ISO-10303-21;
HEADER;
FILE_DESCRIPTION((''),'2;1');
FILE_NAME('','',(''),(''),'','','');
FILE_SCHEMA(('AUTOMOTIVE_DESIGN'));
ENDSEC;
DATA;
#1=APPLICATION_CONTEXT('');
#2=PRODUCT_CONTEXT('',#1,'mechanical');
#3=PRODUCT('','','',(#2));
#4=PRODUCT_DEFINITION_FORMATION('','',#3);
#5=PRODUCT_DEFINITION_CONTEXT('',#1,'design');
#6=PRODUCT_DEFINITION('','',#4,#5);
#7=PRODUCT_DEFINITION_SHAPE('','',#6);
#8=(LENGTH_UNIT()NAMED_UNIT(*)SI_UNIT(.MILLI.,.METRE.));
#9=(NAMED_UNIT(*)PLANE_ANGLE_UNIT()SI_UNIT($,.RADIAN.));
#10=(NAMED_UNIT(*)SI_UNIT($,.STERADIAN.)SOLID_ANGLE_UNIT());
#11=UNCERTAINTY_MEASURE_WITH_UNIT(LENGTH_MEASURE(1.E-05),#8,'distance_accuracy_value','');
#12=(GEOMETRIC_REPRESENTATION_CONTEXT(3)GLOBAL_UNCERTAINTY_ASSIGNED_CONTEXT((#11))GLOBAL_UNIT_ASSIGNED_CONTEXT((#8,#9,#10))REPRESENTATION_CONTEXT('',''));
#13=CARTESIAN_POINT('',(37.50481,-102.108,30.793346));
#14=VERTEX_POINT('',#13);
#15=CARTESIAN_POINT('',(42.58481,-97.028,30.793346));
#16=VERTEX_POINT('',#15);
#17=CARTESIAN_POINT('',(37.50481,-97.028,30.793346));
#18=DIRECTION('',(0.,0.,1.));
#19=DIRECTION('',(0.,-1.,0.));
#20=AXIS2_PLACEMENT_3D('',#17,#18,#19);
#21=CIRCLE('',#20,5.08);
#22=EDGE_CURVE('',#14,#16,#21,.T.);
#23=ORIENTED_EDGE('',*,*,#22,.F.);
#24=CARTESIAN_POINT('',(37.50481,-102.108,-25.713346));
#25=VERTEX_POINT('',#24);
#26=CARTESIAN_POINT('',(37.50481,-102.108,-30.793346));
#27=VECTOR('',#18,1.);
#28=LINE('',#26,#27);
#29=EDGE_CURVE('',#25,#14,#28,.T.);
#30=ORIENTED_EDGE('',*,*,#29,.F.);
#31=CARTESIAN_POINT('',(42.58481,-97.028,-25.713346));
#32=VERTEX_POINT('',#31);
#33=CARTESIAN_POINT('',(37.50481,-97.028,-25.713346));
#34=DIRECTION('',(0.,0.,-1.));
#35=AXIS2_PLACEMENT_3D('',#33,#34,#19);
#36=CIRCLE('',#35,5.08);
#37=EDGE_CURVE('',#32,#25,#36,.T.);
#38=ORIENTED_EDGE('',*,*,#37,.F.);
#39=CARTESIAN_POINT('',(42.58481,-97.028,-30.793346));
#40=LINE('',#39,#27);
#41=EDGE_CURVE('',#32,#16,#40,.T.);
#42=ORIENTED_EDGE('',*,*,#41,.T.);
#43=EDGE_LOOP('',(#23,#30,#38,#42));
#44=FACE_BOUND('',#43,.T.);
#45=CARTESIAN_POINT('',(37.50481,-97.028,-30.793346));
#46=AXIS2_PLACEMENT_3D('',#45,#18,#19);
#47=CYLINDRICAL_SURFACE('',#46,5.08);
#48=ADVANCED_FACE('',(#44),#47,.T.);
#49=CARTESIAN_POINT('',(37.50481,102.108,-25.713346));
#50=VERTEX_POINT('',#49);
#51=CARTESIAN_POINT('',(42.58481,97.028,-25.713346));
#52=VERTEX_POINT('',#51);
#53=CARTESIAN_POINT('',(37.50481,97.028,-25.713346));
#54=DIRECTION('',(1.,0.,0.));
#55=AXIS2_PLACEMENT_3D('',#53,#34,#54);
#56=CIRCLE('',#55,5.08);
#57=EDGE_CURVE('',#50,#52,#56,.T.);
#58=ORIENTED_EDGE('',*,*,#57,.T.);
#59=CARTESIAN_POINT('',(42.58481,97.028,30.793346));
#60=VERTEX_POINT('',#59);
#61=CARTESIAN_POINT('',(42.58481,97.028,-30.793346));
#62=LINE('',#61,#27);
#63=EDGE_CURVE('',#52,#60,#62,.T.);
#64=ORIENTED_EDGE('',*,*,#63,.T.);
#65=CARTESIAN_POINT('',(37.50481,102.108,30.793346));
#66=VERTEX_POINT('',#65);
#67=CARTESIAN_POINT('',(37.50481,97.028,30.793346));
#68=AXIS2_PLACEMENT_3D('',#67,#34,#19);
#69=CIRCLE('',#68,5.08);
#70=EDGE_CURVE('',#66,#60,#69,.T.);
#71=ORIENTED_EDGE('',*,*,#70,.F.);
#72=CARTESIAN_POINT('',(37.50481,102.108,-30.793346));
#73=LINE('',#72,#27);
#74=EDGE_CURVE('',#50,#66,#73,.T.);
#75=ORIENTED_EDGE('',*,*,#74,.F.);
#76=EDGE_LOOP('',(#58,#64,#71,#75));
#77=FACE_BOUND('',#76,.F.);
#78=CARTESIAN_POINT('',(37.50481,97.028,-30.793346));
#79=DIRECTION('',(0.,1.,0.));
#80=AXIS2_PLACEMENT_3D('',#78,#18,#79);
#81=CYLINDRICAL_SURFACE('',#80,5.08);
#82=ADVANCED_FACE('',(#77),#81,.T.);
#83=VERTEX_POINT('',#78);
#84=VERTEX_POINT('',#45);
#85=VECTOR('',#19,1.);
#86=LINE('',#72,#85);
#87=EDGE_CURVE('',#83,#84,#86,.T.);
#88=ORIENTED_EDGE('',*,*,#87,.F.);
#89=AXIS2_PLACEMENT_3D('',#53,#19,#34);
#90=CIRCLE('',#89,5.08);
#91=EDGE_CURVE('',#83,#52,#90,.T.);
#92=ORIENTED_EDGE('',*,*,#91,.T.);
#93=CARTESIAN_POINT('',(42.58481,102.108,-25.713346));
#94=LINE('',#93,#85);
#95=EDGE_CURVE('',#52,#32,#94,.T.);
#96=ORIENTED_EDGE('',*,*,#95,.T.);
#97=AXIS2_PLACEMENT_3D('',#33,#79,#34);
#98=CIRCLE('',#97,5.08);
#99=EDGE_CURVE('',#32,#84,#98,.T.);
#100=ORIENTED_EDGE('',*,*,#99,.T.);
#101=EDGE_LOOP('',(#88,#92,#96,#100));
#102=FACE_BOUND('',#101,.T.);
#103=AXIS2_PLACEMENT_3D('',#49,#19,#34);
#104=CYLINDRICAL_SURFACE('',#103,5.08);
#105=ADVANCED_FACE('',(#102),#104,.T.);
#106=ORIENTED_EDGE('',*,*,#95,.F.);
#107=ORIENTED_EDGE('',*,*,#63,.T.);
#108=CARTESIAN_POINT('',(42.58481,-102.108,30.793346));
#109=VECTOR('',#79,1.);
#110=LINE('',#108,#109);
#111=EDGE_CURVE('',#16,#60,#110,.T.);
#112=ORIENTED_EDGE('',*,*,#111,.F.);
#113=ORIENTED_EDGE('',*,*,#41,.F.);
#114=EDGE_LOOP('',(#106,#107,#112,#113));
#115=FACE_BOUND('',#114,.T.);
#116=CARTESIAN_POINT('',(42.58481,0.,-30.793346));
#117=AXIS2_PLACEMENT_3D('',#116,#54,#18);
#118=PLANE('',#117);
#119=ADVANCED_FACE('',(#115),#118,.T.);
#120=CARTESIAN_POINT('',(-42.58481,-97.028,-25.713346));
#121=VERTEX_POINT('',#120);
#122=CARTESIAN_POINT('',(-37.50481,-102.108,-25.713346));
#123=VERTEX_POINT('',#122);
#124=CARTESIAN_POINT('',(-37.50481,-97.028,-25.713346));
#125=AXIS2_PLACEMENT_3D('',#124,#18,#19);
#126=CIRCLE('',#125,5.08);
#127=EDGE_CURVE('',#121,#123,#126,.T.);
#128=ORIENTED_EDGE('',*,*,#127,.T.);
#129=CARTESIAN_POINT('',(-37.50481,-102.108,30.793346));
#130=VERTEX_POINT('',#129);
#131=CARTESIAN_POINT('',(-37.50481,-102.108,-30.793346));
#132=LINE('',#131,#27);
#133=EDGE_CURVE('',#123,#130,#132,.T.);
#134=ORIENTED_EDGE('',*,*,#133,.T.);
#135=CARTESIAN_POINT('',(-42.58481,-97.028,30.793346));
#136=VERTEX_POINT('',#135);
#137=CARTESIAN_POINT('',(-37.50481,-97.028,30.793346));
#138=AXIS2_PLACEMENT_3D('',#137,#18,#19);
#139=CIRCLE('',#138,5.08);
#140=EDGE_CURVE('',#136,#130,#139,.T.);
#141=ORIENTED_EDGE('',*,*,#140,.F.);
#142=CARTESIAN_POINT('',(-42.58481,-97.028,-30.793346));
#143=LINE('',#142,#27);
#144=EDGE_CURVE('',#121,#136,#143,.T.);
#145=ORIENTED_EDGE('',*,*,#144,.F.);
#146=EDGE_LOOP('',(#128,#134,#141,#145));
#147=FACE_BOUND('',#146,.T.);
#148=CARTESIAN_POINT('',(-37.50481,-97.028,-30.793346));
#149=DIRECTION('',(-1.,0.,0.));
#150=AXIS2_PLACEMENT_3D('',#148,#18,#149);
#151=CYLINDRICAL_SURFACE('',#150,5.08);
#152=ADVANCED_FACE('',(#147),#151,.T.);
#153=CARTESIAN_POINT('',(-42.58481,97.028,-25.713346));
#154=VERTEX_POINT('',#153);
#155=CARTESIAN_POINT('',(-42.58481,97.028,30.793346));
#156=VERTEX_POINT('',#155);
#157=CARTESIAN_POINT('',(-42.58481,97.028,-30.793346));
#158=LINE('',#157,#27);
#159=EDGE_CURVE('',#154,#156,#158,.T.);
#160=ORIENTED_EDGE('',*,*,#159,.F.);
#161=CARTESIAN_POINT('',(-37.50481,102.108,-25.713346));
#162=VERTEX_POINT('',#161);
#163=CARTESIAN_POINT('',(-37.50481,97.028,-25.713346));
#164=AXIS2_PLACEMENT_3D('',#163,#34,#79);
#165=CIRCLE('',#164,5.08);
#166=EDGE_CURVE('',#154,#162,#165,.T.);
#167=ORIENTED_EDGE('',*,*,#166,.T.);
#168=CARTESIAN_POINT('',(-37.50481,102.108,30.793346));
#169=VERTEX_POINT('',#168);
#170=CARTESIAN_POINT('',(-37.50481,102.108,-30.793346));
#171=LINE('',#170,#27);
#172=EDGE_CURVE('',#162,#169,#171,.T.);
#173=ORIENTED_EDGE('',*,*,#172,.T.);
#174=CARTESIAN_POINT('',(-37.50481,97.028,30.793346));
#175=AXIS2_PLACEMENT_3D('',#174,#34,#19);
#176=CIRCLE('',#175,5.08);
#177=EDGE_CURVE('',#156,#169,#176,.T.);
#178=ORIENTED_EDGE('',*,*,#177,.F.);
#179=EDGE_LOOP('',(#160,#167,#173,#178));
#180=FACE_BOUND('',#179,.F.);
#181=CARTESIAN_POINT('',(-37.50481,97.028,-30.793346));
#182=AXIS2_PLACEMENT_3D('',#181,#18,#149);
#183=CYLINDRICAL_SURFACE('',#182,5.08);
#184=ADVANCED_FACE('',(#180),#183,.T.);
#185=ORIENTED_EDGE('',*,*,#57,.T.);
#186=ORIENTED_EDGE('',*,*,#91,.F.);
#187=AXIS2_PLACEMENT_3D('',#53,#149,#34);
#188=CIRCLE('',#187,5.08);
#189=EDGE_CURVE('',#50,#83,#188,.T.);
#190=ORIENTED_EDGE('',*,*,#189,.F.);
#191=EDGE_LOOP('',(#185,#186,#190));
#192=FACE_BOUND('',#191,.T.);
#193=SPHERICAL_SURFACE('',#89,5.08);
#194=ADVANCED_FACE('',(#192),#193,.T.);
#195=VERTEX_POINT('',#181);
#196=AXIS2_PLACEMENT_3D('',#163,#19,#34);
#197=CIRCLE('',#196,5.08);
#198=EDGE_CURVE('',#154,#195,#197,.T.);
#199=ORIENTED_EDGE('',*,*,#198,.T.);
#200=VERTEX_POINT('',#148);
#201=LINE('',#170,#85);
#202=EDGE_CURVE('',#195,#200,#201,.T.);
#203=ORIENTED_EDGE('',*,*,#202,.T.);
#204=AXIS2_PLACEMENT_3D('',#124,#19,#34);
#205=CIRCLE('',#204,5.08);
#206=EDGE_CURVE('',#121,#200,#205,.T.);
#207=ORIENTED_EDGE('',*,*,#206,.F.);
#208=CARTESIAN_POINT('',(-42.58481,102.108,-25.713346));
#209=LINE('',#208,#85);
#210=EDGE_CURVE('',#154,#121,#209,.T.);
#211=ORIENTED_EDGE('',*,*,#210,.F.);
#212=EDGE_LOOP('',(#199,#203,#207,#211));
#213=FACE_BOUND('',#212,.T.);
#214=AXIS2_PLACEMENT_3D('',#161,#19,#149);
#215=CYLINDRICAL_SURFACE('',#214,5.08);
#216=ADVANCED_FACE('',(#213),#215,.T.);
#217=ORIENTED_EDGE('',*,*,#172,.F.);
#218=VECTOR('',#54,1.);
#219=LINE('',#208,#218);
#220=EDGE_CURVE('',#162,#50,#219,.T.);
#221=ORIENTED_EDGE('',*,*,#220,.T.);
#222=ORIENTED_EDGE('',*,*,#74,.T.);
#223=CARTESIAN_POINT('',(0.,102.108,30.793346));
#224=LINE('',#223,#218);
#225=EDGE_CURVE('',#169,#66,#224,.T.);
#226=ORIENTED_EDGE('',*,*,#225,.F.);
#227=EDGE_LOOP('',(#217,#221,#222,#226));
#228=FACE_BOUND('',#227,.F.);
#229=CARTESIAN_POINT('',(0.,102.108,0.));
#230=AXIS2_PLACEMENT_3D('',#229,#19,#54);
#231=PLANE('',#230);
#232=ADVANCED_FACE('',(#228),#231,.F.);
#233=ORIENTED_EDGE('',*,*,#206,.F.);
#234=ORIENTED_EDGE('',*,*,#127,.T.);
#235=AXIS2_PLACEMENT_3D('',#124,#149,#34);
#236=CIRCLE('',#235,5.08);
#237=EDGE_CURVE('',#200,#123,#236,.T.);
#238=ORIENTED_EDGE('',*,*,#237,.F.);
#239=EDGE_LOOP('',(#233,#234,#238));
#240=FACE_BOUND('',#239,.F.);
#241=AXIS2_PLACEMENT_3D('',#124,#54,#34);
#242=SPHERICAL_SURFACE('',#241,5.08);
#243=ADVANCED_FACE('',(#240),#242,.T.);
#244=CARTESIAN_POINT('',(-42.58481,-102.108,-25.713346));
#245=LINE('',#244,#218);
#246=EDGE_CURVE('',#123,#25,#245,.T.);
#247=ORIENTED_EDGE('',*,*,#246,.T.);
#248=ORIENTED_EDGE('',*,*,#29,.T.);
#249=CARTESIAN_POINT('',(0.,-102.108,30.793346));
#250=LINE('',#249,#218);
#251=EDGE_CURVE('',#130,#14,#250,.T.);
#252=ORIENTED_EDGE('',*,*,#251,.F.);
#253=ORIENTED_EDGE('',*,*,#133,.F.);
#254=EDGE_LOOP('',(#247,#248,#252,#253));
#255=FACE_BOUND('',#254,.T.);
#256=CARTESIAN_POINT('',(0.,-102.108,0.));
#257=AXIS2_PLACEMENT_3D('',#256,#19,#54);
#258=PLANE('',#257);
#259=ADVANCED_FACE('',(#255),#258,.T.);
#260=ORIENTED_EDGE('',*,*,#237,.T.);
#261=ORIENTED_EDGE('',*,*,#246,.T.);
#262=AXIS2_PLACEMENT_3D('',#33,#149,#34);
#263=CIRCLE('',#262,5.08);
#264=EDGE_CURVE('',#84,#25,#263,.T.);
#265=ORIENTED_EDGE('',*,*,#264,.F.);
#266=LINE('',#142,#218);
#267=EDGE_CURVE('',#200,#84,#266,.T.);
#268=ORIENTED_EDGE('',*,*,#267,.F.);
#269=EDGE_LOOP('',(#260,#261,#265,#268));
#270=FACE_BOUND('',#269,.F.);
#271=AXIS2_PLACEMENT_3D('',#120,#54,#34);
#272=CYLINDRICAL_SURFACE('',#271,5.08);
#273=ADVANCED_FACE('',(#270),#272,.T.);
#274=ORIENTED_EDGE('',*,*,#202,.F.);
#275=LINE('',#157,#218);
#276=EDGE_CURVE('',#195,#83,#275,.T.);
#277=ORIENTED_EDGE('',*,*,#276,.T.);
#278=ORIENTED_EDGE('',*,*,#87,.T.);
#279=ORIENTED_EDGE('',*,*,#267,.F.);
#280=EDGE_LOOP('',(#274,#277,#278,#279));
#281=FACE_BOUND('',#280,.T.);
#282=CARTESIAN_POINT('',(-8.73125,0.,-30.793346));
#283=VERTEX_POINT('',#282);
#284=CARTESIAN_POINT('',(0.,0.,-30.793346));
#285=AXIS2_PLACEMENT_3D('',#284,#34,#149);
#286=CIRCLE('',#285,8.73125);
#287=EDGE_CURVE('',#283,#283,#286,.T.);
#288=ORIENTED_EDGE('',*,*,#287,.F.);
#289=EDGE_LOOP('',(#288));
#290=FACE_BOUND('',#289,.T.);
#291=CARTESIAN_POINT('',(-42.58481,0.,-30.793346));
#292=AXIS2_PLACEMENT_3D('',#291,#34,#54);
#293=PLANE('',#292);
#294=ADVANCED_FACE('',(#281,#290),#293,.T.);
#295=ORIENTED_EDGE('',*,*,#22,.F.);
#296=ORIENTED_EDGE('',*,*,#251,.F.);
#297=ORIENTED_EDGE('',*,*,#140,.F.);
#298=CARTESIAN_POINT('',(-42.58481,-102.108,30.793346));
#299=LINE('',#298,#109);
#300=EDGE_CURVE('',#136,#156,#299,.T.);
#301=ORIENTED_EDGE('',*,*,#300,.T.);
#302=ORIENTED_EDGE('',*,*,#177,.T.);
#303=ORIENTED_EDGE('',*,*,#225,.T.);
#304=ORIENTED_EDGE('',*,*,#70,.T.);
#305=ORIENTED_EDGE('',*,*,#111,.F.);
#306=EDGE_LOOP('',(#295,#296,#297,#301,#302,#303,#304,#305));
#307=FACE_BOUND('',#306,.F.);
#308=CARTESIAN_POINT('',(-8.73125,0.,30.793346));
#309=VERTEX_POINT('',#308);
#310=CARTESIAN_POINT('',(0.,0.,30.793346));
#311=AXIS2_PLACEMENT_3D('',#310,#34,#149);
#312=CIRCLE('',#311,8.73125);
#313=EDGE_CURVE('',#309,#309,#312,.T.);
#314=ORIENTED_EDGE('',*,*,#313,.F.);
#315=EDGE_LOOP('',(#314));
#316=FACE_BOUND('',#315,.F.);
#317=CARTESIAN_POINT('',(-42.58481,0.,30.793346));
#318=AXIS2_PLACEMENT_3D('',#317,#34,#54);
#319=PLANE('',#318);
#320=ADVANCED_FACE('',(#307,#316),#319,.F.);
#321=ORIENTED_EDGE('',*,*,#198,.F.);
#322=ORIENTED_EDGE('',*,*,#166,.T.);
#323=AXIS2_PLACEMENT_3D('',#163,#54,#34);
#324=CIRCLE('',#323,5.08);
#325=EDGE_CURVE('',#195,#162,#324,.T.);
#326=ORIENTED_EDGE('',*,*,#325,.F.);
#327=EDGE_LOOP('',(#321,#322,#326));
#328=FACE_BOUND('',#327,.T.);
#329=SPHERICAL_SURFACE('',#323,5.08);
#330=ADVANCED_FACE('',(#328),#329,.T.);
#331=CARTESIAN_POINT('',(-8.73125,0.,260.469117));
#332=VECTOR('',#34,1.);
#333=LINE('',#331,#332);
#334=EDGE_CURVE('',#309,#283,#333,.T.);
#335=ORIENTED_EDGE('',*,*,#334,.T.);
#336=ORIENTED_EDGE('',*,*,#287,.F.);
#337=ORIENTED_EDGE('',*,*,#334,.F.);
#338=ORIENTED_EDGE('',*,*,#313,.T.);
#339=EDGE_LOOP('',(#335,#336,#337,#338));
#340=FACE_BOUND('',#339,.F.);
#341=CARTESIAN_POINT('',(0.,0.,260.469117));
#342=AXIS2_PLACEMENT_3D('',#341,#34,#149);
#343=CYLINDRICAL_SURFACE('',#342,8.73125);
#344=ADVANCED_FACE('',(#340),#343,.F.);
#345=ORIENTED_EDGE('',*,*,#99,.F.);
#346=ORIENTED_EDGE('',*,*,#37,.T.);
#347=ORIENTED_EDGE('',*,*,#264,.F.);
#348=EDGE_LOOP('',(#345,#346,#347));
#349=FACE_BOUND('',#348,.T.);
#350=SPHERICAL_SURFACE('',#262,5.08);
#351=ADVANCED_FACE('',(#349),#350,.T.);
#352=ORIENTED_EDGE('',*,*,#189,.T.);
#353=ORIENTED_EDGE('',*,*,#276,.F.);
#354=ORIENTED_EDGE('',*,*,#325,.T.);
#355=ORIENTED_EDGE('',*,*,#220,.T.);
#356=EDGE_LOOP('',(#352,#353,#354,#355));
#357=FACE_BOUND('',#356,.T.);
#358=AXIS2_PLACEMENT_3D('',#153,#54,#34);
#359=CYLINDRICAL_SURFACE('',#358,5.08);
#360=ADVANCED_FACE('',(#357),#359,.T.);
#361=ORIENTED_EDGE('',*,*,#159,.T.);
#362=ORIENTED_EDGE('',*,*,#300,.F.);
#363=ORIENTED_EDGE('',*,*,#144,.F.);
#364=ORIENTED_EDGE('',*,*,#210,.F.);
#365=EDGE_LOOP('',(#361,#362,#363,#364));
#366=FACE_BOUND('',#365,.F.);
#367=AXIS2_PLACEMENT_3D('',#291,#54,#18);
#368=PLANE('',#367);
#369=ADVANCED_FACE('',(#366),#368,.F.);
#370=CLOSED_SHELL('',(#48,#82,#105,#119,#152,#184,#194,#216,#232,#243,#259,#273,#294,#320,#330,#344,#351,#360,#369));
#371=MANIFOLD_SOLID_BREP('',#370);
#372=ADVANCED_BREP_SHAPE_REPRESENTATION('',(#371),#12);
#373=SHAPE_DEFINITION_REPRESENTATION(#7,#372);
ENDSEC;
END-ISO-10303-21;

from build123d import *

# Parameters (mm, degrees)
F0_W     = 85.1696208119
F0_H     = 61.5866929293
F1_DEPTH = 102.108
F3_D     = 17.4625
F4_R     = 5.08


with BuildPart() as f1:
    # F0 (on Front) → F1 (new body, symmetric)
    with BuildSketch(Plane.XZ):
        Rectangle(F0_W, F0_H)
    extrude(amount=F1_DEPTH, both=True)

    # F3 (through all)
    with Locations(Plane.XY.offset(30.7933464646)):
        with Locations((0, 0)):
            Hole(F3_D / 2)

    # F4
    f4_edges = [f1.edges().sort_by_distance(p)[0] for p in [
        (0, -102.108, -30.793346),
        (42.58481, 0, -30.793346),
        (0, 102.108, -30.793346),
        (-42.58481, 0, -30.793346),
        (-42.58481, -102.108, 0),
        (-42.58481, 102.108, 0),
        (42.58481, 102.108, 0),
        (42.58481, -102.108, 0),
    ]]
    fillet(f4_edges, radius=F4_R)


solid = f1.part
